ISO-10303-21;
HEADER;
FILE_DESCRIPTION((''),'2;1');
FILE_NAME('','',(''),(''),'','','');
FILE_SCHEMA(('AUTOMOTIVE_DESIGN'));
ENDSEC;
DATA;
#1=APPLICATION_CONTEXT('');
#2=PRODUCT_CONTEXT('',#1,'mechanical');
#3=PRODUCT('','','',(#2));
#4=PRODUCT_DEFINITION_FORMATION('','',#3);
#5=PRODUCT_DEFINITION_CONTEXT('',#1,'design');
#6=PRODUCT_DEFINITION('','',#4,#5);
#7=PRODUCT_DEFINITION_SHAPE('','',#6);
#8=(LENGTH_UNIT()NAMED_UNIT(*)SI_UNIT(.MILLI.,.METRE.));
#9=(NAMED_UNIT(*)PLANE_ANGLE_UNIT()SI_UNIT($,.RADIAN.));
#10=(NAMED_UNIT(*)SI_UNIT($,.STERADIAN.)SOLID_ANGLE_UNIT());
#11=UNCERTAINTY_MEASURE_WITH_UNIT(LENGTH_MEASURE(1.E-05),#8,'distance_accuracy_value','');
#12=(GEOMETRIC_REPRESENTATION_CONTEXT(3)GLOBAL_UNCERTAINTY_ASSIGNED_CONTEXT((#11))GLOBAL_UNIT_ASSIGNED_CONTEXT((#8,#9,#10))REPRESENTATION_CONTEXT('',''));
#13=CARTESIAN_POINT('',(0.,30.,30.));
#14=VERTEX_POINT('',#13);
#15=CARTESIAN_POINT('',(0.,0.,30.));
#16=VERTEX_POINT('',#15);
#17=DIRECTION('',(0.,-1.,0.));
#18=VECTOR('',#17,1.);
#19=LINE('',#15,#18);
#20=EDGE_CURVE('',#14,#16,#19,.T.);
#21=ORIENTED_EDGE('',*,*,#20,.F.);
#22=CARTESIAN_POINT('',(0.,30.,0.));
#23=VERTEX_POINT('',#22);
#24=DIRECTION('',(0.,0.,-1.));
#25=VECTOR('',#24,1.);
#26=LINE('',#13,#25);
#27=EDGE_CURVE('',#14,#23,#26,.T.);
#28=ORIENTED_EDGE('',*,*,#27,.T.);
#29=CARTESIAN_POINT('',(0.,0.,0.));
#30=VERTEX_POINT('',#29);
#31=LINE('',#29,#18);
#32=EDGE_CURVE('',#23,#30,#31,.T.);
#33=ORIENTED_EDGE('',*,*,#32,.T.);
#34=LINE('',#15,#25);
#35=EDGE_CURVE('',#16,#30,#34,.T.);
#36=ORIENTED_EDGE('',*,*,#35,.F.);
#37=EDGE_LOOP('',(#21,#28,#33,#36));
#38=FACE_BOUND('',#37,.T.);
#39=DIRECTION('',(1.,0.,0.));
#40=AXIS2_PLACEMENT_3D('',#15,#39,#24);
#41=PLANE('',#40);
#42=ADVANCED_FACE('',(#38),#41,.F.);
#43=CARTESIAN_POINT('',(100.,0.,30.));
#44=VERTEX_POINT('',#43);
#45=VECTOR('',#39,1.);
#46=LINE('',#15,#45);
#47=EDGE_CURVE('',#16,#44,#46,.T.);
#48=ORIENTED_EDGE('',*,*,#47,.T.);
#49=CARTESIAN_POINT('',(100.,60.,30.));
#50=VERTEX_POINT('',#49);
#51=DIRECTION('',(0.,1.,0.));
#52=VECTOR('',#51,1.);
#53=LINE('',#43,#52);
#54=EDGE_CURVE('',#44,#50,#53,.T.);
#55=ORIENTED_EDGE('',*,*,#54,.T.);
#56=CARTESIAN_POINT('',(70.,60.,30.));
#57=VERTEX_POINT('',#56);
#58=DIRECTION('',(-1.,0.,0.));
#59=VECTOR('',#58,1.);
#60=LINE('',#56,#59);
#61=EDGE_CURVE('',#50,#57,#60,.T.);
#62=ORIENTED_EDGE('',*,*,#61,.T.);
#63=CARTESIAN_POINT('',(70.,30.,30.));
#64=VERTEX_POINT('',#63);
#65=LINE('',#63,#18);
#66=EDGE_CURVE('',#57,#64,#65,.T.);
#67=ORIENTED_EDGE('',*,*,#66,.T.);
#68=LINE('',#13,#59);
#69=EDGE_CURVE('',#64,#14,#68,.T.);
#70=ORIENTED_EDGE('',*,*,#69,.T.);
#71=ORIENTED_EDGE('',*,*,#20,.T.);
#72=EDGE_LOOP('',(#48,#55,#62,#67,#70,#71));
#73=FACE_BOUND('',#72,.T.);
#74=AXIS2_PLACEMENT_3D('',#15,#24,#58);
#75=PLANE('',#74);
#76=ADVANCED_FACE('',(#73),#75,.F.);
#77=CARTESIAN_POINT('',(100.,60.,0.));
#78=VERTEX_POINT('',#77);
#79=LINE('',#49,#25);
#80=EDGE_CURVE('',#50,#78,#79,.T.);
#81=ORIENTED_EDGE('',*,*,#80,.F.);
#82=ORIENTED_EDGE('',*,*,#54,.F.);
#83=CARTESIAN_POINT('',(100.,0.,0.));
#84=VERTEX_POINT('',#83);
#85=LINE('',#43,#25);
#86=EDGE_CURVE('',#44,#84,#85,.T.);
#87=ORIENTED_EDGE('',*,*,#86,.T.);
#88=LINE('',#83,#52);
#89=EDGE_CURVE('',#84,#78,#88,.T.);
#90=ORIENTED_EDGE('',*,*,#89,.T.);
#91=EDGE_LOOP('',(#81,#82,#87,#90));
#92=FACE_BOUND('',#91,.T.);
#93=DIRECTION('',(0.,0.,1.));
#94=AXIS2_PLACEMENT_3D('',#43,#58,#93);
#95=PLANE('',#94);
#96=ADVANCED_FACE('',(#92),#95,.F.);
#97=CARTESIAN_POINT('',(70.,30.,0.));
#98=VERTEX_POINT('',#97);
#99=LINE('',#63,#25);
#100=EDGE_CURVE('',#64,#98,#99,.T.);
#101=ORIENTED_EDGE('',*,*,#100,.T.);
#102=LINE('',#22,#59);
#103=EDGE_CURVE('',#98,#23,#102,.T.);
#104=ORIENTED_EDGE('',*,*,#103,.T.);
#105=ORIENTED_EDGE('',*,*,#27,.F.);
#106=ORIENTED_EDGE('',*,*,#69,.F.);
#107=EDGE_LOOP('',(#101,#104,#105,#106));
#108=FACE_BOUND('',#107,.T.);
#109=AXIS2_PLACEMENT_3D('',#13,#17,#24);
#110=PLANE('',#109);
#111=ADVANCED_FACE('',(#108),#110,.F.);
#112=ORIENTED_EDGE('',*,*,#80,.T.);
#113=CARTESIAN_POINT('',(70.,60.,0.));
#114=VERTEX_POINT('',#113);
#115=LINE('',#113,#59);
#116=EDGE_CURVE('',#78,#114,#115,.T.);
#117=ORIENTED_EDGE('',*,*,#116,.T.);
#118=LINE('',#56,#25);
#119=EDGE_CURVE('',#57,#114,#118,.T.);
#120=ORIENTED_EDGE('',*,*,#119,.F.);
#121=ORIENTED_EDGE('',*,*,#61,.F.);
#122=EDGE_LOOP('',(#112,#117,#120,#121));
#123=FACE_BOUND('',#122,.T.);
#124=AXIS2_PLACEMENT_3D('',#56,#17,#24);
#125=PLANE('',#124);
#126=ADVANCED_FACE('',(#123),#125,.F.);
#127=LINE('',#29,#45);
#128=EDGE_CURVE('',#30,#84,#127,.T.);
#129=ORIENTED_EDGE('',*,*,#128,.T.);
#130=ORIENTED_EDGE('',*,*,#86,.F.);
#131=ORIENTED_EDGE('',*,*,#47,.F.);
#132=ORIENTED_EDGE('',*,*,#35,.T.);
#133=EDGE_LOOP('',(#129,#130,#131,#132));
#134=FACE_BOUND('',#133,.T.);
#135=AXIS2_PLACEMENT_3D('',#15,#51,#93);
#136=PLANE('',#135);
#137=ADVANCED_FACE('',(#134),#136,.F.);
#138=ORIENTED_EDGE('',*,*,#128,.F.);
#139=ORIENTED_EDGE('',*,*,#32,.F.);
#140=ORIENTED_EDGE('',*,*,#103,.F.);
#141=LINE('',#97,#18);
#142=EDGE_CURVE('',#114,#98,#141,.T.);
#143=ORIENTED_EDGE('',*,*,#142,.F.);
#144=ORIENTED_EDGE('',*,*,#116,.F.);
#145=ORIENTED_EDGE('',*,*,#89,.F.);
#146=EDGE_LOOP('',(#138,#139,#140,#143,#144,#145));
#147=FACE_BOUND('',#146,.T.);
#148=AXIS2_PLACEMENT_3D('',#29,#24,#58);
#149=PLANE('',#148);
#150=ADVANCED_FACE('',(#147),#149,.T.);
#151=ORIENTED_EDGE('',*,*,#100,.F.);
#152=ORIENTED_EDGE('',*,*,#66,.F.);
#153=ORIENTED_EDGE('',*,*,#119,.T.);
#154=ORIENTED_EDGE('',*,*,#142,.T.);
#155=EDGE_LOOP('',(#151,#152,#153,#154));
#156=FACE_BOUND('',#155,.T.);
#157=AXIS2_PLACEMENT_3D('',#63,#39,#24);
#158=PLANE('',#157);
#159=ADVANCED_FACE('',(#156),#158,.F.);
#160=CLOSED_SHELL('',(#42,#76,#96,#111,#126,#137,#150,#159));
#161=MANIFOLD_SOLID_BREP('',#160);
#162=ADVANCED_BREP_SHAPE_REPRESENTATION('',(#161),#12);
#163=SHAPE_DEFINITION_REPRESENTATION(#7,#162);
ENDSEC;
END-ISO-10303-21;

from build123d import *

# Parameters (mm, degrees)
EXTRUDE_1_DEPTH = 30


with BuildPart() as part:
    # Эскиз1 → Бобышка-Вытянуть1 (new body)
    with BuildSketch(Plane.XY):
        Polygon((0, 0), (100, 0), (100, 60), (70, 60), (70, 30), (0, 30), align=None)
    extrude(amount=EXTRUDE_1_DEPTH)


solid = part.part
